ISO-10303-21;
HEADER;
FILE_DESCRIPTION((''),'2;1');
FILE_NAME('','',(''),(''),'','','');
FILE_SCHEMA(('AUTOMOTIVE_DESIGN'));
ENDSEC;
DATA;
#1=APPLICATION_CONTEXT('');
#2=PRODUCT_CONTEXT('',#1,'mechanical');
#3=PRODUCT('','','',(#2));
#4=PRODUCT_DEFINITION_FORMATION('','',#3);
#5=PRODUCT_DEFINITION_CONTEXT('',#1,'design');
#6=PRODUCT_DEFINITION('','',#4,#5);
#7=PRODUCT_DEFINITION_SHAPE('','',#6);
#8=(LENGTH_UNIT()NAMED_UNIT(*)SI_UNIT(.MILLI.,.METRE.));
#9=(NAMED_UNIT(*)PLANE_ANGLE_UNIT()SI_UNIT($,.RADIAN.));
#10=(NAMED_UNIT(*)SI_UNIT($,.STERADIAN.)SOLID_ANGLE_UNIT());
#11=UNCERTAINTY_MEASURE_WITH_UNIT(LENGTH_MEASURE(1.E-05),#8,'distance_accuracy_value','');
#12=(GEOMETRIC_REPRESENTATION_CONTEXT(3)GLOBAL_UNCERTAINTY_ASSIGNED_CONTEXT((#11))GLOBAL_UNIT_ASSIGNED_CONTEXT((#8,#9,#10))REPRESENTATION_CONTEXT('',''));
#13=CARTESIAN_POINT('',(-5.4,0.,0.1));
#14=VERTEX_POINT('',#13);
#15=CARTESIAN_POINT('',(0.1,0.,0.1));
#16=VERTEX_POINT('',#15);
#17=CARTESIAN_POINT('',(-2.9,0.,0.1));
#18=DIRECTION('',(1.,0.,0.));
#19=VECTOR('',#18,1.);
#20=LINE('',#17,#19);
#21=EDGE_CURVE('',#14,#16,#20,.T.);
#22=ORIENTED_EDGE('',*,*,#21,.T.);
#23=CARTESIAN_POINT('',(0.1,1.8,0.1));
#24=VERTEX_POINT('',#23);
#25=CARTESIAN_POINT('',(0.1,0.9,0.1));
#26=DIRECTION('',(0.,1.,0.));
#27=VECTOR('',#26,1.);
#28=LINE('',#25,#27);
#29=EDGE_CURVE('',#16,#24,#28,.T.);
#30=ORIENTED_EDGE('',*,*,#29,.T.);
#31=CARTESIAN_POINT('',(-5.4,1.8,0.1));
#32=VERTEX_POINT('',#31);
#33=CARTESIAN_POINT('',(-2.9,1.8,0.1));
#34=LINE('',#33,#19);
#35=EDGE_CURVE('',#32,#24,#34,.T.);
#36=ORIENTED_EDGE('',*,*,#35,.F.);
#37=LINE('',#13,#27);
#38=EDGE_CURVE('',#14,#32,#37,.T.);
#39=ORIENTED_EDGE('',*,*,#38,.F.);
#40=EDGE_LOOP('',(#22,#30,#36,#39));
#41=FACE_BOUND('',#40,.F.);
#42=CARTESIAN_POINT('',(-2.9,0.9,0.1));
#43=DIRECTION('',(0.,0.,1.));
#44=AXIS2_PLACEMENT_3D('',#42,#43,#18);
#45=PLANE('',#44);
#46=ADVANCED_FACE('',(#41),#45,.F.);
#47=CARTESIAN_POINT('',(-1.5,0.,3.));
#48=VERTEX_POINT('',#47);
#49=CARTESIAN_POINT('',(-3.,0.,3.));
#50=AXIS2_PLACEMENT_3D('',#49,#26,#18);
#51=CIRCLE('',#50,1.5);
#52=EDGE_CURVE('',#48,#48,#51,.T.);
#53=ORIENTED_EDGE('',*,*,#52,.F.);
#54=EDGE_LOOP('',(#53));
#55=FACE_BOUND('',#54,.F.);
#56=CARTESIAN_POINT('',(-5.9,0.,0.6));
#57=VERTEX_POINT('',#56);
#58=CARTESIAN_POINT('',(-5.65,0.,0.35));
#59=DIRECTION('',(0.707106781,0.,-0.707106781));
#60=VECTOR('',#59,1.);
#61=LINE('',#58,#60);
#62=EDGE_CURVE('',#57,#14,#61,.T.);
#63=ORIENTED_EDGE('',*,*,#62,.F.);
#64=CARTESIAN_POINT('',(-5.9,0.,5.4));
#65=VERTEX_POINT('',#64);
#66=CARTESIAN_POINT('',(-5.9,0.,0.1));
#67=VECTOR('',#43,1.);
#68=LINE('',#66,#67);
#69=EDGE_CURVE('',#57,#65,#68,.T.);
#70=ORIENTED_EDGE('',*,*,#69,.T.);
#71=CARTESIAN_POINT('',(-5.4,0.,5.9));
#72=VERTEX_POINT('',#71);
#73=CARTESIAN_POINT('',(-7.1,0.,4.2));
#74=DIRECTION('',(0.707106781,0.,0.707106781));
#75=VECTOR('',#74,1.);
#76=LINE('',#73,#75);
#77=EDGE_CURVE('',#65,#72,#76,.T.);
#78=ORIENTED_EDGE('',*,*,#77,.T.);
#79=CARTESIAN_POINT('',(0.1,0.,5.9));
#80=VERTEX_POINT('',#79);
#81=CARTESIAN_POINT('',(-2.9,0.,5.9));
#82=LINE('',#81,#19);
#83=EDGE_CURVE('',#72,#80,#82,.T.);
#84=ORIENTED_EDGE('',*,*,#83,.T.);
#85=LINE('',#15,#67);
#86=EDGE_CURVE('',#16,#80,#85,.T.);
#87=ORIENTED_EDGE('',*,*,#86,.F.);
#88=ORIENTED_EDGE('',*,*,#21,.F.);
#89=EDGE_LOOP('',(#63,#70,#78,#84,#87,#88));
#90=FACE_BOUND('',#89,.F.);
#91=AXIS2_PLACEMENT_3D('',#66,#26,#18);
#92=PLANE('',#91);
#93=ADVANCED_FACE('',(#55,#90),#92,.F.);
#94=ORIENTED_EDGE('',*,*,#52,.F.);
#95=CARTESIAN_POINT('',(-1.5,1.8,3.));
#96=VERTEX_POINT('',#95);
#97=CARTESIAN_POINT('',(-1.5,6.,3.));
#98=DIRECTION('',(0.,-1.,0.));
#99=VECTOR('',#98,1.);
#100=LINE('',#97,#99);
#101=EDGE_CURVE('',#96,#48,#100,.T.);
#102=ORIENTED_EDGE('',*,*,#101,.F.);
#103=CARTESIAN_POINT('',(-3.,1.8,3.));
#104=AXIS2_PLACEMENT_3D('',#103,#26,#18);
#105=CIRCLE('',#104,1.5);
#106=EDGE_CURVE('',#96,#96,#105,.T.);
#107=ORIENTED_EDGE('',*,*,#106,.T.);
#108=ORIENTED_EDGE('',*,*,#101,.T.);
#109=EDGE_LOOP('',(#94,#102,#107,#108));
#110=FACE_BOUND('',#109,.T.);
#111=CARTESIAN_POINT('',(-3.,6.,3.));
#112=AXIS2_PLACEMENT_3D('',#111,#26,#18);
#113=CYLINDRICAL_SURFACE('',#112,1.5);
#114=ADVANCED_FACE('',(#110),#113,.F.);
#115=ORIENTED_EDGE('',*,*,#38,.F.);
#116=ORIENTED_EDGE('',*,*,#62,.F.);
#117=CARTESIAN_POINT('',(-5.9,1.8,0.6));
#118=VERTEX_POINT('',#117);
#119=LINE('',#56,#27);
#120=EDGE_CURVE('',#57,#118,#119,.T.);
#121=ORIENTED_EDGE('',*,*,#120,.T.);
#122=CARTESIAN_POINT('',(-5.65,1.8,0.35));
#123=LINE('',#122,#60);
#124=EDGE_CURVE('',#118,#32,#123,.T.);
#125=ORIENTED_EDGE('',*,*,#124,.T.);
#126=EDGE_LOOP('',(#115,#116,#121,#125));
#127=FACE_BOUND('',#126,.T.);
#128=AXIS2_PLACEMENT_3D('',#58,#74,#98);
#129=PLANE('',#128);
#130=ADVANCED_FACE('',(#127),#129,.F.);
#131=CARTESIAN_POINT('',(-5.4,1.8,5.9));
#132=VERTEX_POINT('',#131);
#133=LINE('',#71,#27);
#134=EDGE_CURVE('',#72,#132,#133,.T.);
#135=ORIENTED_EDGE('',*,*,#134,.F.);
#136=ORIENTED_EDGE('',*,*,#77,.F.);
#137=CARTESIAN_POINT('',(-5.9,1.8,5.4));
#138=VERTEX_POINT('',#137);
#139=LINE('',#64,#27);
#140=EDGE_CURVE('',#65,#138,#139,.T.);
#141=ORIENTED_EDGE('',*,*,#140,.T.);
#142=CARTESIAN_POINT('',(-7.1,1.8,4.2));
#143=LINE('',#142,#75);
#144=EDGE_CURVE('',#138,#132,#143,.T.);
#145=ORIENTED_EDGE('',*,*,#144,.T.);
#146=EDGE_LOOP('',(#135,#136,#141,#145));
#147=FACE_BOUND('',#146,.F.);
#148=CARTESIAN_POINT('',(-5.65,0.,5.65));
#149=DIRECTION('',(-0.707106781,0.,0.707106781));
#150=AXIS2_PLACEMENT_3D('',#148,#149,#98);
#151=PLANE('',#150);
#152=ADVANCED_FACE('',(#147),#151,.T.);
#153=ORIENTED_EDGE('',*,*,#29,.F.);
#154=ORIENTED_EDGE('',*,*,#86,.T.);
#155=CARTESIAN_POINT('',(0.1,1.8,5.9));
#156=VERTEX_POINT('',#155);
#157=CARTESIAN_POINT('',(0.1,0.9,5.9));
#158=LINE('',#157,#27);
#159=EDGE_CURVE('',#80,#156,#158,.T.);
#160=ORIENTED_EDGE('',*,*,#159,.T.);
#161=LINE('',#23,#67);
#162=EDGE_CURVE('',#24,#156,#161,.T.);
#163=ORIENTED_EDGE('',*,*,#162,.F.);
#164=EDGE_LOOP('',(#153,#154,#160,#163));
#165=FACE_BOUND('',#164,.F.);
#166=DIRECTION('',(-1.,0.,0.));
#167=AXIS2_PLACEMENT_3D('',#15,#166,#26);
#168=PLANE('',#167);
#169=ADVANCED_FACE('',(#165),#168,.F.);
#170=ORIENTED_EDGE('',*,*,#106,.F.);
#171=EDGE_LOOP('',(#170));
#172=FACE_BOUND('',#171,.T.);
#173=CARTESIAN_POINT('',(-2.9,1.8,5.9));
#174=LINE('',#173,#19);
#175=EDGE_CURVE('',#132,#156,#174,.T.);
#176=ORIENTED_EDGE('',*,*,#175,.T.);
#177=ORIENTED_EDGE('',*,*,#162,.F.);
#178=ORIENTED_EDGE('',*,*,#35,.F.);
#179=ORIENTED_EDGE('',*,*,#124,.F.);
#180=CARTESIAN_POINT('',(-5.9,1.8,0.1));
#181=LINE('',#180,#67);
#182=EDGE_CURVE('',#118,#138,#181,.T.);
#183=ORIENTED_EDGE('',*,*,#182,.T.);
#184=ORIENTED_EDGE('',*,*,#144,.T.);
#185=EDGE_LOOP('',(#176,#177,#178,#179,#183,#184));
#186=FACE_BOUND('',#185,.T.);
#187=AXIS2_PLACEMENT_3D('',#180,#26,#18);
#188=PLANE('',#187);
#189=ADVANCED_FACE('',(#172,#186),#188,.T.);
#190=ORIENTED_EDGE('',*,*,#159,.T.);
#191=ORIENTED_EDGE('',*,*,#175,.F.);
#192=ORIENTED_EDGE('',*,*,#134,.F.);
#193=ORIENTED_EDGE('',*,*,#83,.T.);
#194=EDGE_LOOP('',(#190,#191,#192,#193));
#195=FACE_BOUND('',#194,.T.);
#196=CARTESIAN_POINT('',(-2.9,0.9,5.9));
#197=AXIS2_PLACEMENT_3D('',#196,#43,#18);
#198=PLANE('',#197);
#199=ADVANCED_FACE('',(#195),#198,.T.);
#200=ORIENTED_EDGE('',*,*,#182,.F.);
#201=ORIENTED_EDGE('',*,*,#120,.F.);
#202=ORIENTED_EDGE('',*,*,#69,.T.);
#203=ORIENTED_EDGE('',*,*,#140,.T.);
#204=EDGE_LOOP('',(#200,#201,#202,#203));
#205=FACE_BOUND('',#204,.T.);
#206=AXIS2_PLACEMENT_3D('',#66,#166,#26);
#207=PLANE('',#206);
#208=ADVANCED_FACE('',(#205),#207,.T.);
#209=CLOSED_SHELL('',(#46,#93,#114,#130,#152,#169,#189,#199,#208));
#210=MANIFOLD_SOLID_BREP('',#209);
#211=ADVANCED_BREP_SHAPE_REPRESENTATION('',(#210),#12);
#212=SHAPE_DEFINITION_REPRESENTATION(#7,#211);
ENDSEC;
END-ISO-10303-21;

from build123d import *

# Parameters (mm, degrees)
CYLINDER003_R     = 1.5
CYLINDER003_DEPTH = 10
BOX002_W          = 6
BOX002_H          = 1.8
BOX002_DEPTH      = 5.8
CHAMFER001_SIZE   = 0.5


with BuildPart() as cylinder003:
    # Cylinder003 → Cylinder003 (new body)
    with BuildSketch(Plane(origin=(-3, 6, 3), x_dir=(1, 0, 0), z_dir=(0, -1, 0))):
        Circle(CYLINDER003_R)
    extrude(amount=CYLINDER003_DEPTH)


with BuildPart() as chamfer001:
    # Box002 → Box002 (new body)
    with BuildSketch(Plane(origin=(-5.9, 0, 0.1), x_dir=(1, 0, 0), z_dir=(0, 0, 1))):
        with Locations((3, 0.9)):
            Rectangle(BOX002_W, BOX002_H)
    extrude(amount=BOX002_DEPTH)

    # Cut001: cut Cylinder003
    add(cylinder003.part, mode=Mode.SUBTRACT)

    # Chamfer001
    chamfer001_edges = [chamfer001.edges().sort_by_distance(p)[0] for p in [
        (-5.9, 0.9, 5.9),
        (-5.9, 0.9, 0.1),
    ]]
    chamfer(chamfer001_edges, length=CHAMFER001_SIZE)


solid = chamfer001.part
